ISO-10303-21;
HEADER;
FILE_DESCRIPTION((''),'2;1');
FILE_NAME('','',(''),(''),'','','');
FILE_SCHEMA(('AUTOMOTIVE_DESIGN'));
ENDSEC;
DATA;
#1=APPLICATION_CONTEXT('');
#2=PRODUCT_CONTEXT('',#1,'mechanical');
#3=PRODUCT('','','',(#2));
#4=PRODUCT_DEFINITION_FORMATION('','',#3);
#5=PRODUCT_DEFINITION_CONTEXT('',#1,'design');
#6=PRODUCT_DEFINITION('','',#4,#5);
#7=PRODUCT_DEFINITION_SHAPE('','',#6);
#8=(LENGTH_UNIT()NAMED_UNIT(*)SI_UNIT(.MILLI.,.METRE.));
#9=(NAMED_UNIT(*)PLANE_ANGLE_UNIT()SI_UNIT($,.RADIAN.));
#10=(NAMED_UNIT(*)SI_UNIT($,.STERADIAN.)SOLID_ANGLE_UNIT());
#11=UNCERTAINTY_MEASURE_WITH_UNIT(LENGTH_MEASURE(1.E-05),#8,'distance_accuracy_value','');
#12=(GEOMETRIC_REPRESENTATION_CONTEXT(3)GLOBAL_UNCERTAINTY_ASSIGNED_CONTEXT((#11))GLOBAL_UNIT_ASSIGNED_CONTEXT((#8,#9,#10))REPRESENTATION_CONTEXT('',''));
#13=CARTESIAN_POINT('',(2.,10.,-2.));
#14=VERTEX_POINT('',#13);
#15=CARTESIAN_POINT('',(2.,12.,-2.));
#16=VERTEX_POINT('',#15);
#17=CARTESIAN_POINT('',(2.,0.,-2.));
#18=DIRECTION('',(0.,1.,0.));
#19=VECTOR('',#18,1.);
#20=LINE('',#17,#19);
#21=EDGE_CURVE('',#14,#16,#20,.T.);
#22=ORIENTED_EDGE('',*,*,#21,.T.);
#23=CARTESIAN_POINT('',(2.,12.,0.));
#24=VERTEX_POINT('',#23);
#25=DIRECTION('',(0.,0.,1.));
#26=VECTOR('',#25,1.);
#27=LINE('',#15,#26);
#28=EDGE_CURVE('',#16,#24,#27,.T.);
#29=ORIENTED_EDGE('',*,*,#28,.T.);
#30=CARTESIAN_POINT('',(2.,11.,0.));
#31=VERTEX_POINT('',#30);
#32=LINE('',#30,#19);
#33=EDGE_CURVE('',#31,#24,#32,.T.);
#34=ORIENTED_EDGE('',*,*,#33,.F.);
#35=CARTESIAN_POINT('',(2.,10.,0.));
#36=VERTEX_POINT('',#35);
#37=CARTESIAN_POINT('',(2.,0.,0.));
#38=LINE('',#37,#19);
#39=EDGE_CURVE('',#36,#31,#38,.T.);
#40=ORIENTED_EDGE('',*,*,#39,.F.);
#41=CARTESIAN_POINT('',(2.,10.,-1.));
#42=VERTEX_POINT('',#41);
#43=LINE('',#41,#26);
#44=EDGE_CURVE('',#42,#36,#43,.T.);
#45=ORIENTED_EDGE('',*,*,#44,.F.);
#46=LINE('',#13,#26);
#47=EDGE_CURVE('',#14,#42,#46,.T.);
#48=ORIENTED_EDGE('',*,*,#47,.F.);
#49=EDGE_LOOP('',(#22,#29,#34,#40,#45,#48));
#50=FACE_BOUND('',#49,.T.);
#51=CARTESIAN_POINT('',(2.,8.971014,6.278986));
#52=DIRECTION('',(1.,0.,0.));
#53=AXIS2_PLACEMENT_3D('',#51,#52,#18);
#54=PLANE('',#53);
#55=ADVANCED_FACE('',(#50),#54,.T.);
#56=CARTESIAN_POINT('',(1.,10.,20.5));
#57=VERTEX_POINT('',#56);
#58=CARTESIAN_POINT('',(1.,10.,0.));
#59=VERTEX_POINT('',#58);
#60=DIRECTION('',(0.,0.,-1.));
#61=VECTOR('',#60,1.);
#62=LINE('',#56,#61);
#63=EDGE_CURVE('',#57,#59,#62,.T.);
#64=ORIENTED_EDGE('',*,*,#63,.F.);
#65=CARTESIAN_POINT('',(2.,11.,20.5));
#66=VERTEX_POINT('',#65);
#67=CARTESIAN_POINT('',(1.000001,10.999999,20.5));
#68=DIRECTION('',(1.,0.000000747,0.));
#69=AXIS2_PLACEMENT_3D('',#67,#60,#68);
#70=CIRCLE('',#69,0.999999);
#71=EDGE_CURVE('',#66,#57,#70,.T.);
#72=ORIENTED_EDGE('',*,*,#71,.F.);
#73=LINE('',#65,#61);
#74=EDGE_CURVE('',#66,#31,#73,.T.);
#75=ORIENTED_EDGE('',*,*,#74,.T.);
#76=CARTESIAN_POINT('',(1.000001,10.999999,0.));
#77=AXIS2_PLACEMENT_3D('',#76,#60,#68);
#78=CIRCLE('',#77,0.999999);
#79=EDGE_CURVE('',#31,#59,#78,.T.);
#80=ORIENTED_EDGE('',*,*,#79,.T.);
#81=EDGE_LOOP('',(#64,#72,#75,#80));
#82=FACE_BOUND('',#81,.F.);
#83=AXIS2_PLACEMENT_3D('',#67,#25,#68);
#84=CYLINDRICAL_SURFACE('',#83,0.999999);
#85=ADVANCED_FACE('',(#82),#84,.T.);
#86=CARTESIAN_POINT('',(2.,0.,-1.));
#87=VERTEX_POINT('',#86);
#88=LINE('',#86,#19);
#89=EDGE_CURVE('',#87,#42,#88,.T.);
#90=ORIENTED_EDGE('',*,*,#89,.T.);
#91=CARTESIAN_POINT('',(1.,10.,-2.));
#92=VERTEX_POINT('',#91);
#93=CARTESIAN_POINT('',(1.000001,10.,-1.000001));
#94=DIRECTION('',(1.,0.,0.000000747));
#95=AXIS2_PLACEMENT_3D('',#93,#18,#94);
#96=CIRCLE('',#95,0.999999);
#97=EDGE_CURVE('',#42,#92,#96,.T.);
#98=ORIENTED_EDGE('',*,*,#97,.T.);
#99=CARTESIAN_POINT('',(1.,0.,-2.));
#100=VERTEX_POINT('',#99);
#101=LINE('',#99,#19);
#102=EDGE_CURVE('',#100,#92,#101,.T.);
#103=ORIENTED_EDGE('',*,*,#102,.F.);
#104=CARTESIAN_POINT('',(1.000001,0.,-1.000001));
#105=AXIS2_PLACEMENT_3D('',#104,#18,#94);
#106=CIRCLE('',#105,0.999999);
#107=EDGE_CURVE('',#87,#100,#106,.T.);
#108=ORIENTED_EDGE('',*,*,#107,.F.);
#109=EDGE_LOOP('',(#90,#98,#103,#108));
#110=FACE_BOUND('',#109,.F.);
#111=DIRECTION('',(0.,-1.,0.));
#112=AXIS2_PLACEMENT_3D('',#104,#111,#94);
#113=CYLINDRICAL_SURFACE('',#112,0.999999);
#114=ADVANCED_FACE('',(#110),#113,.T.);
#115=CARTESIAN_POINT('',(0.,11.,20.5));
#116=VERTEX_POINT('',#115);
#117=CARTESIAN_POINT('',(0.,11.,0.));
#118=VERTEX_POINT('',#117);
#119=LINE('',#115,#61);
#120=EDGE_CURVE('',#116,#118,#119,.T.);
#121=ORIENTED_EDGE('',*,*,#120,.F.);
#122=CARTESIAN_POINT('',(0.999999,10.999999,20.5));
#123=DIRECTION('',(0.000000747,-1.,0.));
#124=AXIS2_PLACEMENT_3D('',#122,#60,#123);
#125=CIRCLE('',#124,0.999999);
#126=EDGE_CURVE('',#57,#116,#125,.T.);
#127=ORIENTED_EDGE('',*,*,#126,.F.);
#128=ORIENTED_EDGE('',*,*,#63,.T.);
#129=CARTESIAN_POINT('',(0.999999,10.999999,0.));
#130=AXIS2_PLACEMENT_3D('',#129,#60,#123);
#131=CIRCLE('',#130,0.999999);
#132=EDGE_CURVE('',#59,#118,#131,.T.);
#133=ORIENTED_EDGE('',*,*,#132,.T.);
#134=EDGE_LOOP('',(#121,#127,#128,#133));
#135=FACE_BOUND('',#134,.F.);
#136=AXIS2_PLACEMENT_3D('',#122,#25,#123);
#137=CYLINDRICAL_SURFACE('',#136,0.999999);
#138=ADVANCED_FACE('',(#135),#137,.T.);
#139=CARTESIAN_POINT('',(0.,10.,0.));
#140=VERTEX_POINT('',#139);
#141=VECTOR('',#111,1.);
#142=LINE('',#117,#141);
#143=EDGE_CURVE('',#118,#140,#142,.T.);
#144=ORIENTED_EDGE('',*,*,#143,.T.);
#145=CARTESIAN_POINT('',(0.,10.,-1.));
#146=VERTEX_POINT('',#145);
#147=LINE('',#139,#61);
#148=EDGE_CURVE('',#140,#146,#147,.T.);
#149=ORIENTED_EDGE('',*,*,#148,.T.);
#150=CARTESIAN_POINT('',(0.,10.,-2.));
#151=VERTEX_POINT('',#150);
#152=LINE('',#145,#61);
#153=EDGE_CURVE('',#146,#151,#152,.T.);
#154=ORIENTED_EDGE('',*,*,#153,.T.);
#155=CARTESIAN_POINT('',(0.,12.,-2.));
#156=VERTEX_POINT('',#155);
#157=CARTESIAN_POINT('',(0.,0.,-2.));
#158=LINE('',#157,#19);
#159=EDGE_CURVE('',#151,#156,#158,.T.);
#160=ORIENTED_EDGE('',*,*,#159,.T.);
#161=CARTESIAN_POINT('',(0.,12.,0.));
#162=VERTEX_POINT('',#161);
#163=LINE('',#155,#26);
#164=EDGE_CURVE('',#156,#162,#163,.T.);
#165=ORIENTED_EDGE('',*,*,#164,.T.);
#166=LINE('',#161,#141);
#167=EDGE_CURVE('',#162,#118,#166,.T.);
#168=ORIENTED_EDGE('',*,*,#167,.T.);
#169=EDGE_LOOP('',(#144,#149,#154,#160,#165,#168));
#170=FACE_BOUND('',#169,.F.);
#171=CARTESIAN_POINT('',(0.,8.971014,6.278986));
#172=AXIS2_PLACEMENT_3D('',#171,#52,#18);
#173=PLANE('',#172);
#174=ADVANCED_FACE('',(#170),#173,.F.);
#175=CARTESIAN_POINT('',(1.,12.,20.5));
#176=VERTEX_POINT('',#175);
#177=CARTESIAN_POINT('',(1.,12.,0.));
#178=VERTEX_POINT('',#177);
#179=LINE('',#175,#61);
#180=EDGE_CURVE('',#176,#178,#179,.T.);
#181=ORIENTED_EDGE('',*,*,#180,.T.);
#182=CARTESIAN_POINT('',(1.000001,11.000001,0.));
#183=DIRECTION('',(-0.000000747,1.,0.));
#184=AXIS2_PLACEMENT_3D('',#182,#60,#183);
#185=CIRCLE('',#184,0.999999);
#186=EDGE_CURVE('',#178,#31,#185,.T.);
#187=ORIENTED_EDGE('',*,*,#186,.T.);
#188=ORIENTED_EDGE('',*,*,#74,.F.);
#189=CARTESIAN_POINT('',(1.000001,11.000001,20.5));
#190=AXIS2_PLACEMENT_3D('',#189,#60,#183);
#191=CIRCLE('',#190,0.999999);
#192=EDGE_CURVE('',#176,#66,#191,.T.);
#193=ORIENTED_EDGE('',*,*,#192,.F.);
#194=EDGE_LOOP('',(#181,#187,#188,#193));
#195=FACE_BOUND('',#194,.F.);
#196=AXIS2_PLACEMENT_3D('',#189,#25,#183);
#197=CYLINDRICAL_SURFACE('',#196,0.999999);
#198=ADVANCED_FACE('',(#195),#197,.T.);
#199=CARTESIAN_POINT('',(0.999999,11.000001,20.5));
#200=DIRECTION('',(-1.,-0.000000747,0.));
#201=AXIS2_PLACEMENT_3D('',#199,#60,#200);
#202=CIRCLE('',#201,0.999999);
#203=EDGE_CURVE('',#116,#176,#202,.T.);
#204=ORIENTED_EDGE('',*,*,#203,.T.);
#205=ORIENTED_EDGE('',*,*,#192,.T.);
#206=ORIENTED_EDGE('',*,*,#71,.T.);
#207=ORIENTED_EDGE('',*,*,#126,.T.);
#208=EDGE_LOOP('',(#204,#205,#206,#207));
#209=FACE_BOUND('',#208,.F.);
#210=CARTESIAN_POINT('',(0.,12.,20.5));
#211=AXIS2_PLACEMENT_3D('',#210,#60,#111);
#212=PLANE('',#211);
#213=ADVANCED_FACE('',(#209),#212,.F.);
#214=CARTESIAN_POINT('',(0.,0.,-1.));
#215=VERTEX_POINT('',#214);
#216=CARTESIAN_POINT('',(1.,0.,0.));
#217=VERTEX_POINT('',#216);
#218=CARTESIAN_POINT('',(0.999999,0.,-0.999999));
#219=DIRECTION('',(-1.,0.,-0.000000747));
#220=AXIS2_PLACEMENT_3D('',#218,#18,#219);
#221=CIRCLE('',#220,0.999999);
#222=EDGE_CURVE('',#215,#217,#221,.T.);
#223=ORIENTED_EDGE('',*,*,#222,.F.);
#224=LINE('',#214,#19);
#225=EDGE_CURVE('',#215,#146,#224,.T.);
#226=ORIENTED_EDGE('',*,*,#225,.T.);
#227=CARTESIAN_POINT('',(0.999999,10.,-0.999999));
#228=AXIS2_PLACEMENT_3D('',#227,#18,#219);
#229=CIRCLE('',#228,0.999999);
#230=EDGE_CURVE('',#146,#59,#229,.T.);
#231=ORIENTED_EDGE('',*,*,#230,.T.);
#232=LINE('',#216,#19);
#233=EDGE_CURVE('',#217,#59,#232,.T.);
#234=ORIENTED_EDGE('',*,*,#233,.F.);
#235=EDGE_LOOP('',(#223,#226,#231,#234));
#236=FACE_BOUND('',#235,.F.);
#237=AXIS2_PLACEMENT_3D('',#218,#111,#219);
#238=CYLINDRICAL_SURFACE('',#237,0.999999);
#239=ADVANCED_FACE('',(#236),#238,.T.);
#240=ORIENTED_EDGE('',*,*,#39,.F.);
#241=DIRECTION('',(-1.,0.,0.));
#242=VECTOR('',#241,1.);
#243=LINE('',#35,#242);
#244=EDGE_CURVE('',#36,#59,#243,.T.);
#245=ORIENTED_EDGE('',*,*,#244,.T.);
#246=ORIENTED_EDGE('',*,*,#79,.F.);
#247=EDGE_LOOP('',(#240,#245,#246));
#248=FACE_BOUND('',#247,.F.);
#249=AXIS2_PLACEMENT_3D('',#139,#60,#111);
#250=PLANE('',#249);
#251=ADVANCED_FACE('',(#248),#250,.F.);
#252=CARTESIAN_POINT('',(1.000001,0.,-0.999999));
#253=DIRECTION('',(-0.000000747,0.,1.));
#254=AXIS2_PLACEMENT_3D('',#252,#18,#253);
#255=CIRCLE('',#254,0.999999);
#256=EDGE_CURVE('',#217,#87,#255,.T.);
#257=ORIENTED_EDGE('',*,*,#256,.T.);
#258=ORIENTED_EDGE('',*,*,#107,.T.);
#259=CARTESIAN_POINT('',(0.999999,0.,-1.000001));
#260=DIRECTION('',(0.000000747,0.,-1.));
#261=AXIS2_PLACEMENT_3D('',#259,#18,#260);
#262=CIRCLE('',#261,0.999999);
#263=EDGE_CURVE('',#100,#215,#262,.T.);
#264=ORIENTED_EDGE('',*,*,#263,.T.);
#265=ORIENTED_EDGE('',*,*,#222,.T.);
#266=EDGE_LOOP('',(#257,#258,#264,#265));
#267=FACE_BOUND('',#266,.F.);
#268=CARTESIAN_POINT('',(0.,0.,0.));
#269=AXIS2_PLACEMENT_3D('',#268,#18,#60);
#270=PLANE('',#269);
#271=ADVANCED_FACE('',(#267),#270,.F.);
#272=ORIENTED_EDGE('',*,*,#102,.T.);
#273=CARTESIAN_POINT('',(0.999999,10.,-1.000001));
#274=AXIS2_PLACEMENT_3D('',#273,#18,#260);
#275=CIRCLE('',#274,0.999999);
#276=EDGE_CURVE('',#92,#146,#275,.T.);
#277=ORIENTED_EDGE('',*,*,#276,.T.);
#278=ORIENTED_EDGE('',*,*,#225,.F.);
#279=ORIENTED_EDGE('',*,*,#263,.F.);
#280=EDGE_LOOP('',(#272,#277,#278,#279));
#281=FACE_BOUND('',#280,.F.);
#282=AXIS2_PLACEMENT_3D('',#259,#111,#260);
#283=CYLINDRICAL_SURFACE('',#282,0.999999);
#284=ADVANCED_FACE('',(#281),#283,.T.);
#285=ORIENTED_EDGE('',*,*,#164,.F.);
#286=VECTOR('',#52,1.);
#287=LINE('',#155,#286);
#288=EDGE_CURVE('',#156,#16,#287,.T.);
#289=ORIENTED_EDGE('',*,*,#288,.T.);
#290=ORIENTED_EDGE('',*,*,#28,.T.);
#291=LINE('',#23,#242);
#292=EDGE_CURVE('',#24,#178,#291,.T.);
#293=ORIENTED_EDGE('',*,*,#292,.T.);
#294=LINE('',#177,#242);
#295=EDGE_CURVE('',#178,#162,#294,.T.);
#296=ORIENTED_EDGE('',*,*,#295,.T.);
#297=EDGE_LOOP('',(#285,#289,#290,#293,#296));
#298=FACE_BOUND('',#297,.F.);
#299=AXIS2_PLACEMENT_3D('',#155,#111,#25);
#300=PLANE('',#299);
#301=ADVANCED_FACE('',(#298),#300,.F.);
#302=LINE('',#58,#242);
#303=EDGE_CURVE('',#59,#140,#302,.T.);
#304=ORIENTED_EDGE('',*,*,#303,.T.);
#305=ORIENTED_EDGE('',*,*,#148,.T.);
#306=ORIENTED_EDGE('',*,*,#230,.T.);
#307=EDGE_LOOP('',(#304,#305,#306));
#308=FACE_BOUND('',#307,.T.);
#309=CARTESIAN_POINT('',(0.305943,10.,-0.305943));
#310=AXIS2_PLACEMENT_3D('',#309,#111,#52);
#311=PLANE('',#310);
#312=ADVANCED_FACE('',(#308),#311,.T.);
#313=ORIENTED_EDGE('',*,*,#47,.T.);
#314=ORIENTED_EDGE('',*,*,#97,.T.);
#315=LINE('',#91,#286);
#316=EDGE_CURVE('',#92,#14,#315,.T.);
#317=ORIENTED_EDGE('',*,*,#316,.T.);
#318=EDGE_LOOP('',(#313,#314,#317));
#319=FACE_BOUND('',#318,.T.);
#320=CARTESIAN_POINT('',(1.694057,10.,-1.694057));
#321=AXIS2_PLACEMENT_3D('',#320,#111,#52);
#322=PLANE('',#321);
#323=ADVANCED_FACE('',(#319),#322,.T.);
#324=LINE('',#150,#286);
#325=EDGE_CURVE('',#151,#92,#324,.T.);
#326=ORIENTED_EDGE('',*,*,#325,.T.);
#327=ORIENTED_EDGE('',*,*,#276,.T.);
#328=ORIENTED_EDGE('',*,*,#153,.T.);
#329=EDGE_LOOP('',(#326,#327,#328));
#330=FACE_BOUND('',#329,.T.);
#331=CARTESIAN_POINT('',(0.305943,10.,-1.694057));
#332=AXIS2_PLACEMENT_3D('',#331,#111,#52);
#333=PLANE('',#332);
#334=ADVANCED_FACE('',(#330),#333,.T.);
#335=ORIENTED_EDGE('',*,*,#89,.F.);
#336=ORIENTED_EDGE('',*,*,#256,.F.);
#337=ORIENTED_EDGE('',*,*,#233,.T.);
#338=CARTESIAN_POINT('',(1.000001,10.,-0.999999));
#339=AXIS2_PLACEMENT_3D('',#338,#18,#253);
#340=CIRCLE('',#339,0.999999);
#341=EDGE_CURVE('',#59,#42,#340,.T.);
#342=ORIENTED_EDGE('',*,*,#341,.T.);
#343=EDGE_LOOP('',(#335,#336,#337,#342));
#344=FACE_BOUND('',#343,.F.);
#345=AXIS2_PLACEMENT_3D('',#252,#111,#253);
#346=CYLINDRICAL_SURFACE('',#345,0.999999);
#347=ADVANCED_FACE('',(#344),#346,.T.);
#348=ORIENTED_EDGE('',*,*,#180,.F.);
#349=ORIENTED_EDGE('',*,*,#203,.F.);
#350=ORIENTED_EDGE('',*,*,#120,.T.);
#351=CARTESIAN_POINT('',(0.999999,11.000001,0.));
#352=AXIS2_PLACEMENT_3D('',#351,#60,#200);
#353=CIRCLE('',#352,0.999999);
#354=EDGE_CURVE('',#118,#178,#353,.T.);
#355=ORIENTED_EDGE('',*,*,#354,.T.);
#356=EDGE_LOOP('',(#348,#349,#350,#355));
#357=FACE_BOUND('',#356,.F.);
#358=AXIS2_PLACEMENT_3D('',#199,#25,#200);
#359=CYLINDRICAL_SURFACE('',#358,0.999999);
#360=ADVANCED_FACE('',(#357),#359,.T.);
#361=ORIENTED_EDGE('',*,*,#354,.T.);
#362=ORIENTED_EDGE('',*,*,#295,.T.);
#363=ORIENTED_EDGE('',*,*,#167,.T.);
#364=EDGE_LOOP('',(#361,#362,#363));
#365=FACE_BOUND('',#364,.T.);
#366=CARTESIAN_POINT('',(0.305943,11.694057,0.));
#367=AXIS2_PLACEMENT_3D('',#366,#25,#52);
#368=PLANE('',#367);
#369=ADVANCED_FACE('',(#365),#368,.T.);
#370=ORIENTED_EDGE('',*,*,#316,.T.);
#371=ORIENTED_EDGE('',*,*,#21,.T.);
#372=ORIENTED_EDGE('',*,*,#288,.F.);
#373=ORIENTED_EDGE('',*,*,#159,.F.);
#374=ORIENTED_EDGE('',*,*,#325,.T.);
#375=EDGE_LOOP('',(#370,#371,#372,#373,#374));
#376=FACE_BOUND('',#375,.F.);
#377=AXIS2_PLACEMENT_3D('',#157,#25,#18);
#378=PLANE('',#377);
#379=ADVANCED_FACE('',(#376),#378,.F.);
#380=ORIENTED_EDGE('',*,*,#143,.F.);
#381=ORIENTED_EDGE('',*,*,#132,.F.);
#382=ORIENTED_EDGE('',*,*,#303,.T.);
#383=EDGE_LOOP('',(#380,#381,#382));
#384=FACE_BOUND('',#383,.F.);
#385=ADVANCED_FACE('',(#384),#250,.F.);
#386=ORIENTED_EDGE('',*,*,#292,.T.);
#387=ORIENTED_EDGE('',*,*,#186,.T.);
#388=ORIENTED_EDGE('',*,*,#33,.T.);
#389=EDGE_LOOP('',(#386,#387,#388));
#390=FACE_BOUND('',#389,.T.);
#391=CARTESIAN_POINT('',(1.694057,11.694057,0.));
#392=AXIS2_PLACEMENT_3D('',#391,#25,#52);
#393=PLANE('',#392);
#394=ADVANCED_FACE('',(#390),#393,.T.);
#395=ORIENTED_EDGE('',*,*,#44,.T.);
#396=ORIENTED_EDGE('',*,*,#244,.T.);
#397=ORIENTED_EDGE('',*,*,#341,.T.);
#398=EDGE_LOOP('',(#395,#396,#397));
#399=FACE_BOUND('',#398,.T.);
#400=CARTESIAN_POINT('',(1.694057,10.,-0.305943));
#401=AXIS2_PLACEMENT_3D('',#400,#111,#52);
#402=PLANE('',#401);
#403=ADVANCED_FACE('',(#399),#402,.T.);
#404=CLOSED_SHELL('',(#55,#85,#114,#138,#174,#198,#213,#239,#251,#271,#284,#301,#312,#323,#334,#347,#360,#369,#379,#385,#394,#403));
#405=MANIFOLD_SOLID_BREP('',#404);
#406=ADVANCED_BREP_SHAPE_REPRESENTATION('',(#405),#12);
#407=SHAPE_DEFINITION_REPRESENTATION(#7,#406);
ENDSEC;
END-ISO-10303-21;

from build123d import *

# Parameters (mm, degrees)
F1_DEPTH = 2
F3_DEPTH = 20.5
F5_DEPTH = 10


with BuildPart() as f1:
    # F0 (on Right) → F1 (new body)
    with BuildSketch(Plane.YZ):
        Polygon((10, 0), (0, 0), (0, -2), (12, -2), (12, 20.5), (10, 20.5), align=None)
    extrude(amount=F1_DEPTH)

    # F2 (on face) → F3 (cut)
    with BuildSketch(Plane.XY.offset(20.5)):
        with BuildLine():
            ThreePointArc((0, 11), (0.292893, 11.707107), (1, 12))
            Line((1, 12), (0, 12))
            Line((0, 12), (0, 11))
        make_face()
        with BuildLine():
            ThreePointArc((1, 12), (1.707107, 11.707107), (2, 11))
            Line((2, 11), (2, 12))
            Line((2, 12), (1, 12))
        make_face()
        with BuildLine():
            Line((2, 10), (2, 11))
            ThreePointArc((2, 11), (1.707107, 10.292893), (1, 10))
            Line((1, 10), (2, 10))
        make_face()
        with BuildLine():
            Line((0, 10), (1, 10))
            ThreePointArc((1, 10), (0.292893, 10.292893), (0, 11))
            Line((0, 11), (0, 10))
        make_face()
    extrude(amount=-F3_DEPTH, mode=Mode.SUBTRACT)

    # F4 (on face) → F5 (cut)
    with BuildSketch(Plane.XZ):
        with BuildLine():
            Line((0, -2), (1, -2))
            ThreePointArc((1, -2), (0.292893, -1.707107), (0, -1))
            Line((0, -1), (0, -2))
        make_face()
        with BuildLine():
            Line((2, -2), (2, -1))
            ThreePointArc((2, -1), (1.707107, -1.707107), (1, -2))
            Line((1, -2), (2, -2))
        make_face()
        with BuildLine():
            ThreePointArc((1, 0), (1.707107, -0.292893), (2, -1))
            Line((2, -1), (2, 0))
            Line((2, 0), (1, 0))
        make_face()
        with BuildLine():
            ThreePointArc((0, -1), (0.292893, -0.292893), (1, 0))
            Line((1, 0), (0, 0))
            Line((0, 0), (0, -1))
        make_face()
    extrude(amount=-F5_DEPTH, mode=Mode.SUBTRACT)


solid = f1.part
